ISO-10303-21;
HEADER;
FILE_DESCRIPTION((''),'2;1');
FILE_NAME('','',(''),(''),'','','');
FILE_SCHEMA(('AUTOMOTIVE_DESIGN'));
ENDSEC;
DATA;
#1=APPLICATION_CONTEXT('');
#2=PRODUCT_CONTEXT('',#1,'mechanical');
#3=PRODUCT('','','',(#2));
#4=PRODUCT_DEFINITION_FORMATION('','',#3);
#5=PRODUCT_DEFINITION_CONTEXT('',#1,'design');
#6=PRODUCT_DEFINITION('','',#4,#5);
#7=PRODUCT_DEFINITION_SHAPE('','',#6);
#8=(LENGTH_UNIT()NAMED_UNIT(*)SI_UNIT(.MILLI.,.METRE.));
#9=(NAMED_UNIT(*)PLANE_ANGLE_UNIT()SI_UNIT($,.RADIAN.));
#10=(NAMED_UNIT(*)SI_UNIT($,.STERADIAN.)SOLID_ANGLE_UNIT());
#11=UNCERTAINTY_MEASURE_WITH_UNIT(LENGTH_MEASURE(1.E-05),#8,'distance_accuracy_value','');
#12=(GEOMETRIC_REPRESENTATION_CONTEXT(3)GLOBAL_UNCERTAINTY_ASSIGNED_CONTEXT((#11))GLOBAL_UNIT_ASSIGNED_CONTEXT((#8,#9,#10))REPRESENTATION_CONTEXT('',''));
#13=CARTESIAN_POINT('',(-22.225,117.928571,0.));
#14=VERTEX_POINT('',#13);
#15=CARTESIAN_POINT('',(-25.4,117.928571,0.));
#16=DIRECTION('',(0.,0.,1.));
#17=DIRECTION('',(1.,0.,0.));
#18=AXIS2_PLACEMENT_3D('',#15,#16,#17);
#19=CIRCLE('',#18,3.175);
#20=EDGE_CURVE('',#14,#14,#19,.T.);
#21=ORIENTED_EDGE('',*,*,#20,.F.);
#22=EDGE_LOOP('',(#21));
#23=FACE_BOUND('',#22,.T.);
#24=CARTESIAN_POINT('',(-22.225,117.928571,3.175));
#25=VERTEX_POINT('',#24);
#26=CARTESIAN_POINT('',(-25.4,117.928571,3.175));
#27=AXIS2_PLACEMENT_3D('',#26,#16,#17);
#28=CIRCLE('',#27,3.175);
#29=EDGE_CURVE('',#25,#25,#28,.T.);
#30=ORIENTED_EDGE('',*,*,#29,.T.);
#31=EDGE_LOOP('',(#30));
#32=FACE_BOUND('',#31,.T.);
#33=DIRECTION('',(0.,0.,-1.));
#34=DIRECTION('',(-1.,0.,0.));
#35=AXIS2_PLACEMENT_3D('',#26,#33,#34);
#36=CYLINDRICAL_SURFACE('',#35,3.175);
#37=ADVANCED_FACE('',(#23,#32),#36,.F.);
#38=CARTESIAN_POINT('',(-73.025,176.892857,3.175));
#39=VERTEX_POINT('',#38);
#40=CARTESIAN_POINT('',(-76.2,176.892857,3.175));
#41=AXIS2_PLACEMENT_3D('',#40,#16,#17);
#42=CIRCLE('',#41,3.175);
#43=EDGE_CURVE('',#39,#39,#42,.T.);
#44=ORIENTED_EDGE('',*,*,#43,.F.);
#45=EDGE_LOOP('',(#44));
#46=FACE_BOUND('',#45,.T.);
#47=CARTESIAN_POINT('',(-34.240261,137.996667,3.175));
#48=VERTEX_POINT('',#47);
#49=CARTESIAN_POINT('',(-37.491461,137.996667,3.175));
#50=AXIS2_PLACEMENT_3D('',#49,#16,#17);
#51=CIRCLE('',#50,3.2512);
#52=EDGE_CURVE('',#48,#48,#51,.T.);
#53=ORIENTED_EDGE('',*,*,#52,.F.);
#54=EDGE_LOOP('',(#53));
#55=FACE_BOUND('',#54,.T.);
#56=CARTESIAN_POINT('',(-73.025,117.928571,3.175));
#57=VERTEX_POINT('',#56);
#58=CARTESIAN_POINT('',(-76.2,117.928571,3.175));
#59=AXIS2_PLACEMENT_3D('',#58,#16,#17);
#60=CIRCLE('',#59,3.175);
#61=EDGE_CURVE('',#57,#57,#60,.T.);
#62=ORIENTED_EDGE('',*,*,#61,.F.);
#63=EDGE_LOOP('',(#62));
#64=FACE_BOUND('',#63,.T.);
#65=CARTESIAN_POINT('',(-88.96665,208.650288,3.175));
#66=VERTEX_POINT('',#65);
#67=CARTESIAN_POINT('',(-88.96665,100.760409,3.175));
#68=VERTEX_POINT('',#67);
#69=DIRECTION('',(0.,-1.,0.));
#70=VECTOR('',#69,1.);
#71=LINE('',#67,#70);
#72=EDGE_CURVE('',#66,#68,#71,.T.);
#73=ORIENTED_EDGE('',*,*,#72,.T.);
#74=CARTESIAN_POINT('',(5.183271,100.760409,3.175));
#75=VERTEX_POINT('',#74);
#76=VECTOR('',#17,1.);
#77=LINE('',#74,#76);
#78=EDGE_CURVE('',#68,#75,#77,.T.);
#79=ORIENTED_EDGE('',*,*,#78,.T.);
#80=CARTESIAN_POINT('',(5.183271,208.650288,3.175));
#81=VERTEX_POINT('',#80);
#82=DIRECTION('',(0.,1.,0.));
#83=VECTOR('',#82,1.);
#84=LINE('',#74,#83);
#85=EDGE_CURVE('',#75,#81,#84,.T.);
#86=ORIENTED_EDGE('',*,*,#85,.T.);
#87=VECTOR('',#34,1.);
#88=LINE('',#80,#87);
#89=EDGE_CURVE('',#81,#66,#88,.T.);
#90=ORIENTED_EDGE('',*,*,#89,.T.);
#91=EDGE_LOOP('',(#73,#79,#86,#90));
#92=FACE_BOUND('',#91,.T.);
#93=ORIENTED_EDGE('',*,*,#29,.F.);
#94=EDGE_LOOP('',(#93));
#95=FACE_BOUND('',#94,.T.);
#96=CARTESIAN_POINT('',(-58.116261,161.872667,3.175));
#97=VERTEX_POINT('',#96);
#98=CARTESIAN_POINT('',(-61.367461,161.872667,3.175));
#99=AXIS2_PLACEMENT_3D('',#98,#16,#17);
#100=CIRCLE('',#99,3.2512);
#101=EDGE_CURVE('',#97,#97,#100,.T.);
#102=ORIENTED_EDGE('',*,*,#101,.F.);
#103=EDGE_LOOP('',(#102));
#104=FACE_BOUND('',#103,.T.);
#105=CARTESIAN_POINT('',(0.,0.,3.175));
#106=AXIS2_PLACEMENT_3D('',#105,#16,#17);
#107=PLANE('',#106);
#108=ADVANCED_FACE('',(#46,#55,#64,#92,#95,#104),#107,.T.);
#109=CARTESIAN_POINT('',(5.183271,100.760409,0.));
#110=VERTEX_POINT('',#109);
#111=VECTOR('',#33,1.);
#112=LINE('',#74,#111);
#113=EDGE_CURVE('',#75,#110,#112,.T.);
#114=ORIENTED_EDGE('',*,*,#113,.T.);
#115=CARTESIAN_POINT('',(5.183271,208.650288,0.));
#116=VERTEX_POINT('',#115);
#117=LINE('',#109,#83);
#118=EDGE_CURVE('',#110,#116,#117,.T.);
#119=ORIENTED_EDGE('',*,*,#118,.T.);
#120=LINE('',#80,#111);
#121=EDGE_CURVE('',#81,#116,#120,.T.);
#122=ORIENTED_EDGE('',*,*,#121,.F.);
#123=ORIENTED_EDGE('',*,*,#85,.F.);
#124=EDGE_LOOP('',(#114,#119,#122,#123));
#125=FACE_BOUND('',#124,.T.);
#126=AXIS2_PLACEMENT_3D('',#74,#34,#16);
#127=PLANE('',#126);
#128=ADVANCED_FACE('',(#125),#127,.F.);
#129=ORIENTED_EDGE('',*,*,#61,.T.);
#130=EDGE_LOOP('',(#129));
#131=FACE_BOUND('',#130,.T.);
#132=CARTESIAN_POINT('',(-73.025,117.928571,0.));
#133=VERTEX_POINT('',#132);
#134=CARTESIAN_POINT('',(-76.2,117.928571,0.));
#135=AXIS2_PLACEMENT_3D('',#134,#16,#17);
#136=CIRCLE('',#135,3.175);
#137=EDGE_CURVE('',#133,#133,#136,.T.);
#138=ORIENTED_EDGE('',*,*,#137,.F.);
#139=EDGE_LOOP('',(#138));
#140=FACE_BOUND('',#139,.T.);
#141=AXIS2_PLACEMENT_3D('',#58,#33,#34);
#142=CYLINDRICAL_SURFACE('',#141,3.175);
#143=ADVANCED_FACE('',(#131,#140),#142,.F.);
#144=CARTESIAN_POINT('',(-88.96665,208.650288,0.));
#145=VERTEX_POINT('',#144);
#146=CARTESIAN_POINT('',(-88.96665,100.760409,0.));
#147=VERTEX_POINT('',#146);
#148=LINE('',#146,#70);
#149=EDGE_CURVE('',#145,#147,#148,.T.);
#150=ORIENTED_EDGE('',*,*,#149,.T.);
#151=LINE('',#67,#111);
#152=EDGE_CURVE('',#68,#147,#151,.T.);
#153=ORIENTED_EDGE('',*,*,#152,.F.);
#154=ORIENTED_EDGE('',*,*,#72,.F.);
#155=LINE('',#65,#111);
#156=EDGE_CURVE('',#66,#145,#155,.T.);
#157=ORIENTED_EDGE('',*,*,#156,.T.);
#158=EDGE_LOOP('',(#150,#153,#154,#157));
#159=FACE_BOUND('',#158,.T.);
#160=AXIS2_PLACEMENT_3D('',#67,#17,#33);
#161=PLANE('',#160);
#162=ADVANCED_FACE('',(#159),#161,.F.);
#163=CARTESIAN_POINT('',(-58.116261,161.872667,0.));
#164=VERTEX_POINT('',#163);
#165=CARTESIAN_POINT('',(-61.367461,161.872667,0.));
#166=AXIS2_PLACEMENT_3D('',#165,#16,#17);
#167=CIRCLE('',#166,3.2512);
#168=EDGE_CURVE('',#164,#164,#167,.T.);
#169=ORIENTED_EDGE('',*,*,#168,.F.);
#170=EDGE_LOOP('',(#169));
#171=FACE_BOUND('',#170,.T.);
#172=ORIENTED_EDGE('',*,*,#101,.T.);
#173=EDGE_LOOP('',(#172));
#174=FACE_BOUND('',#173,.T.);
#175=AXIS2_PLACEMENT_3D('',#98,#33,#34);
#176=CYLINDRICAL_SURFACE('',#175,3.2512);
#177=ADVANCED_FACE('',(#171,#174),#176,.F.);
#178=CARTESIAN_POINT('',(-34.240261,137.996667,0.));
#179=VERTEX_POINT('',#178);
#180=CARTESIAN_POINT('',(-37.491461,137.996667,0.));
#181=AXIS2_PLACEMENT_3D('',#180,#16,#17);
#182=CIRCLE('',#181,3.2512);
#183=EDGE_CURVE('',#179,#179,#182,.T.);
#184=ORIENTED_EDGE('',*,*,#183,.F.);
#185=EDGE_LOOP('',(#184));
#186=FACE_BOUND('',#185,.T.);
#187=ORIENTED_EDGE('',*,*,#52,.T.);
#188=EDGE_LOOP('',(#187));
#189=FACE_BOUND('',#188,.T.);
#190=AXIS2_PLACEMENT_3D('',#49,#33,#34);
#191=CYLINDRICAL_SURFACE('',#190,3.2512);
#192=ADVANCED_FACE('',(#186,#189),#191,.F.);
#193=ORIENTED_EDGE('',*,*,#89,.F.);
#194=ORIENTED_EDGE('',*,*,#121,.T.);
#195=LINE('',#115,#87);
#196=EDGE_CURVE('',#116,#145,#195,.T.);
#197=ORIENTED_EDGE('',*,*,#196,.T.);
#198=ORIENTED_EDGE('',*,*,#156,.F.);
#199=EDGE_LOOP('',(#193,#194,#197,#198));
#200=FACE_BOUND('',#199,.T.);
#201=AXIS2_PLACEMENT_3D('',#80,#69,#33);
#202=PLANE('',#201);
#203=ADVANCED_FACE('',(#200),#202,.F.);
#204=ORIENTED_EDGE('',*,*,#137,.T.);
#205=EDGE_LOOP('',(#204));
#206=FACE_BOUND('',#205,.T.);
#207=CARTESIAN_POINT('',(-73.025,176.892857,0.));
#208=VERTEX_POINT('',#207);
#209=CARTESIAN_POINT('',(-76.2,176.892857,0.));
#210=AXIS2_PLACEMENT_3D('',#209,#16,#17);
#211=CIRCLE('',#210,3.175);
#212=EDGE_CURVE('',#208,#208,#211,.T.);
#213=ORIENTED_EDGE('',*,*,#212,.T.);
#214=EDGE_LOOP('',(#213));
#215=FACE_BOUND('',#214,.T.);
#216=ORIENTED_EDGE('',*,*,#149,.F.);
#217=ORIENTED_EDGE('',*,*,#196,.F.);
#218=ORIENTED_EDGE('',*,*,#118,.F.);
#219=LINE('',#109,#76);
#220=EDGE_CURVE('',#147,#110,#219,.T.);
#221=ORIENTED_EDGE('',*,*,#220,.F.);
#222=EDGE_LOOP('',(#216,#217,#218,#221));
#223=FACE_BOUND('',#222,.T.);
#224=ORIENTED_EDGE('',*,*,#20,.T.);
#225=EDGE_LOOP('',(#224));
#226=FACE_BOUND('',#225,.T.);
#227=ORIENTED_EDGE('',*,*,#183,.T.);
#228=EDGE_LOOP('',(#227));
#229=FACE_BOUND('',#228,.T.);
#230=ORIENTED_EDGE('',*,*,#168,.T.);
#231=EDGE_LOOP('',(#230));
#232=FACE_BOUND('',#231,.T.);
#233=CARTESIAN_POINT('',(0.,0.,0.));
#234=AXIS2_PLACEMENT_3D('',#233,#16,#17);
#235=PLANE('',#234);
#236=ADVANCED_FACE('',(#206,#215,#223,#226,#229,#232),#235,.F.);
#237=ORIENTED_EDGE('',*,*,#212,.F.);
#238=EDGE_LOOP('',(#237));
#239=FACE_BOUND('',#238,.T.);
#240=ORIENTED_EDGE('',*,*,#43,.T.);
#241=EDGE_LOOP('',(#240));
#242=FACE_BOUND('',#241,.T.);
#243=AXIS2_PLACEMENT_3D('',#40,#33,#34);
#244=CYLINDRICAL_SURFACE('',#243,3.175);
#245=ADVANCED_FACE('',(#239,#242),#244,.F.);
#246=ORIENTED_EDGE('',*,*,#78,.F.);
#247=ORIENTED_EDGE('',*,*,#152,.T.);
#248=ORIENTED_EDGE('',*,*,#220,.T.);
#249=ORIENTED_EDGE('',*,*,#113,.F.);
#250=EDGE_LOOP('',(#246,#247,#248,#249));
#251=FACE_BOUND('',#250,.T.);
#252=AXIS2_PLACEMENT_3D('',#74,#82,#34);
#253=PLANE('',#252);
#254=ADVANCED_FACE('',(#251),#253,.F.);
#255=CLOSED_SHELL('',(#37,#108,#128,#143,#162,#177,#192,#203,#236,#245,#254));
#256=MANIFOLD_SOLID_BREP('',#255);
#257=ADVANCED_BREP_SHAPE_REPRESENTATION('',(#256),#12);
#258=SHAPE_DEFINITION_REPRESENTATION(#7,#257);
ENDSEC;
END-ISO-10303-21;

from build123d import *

# Parameters (mm, degrees)
SKETCH1_W           = 94.149921214
SKETCH1_H           = 107.889878539
SKETCH1_R           = 3.175
SKETCH1_R_2         = 3.2512
BOSS_EXTRUDE1_DEPTH = 3.175


with BuildPart() as part:
    # Sketch1 → Boss-Extrude1 (new body)
    with BuildSketch(Plane.XY):
        with Locations((-41.891689505, 154.705348562)):
            Rectangle(SKETCH1_W, SKETCH1_H)
        with Locations((-76.2, 117.928571429)):
            Circle(SKETCH1_R, mode=Mode.SUBTRACT)
        with Locations((-25.4, 117.928571429)):
            Circle(SKETCH1_R, mode=Mode.SUBTRACT)
        with Locations((-76.2, 176.892857143)):
            Circle(SKETCH1_R, mode=Mode.SUBTRACT)
        with Locations((-61.36746069, 161.872667498)):
            Circle(SKETCH1_R_2, mode=Mode.SUBTRACT)
        with Locations((-37.49146069, 137.996667498)):
            Circle(SKETCH1_R_2, mode=Mode.SUBTRACT)
    extrude(amount=BOSS_EXTRUDE1_DEPTH)


solid = part.part
